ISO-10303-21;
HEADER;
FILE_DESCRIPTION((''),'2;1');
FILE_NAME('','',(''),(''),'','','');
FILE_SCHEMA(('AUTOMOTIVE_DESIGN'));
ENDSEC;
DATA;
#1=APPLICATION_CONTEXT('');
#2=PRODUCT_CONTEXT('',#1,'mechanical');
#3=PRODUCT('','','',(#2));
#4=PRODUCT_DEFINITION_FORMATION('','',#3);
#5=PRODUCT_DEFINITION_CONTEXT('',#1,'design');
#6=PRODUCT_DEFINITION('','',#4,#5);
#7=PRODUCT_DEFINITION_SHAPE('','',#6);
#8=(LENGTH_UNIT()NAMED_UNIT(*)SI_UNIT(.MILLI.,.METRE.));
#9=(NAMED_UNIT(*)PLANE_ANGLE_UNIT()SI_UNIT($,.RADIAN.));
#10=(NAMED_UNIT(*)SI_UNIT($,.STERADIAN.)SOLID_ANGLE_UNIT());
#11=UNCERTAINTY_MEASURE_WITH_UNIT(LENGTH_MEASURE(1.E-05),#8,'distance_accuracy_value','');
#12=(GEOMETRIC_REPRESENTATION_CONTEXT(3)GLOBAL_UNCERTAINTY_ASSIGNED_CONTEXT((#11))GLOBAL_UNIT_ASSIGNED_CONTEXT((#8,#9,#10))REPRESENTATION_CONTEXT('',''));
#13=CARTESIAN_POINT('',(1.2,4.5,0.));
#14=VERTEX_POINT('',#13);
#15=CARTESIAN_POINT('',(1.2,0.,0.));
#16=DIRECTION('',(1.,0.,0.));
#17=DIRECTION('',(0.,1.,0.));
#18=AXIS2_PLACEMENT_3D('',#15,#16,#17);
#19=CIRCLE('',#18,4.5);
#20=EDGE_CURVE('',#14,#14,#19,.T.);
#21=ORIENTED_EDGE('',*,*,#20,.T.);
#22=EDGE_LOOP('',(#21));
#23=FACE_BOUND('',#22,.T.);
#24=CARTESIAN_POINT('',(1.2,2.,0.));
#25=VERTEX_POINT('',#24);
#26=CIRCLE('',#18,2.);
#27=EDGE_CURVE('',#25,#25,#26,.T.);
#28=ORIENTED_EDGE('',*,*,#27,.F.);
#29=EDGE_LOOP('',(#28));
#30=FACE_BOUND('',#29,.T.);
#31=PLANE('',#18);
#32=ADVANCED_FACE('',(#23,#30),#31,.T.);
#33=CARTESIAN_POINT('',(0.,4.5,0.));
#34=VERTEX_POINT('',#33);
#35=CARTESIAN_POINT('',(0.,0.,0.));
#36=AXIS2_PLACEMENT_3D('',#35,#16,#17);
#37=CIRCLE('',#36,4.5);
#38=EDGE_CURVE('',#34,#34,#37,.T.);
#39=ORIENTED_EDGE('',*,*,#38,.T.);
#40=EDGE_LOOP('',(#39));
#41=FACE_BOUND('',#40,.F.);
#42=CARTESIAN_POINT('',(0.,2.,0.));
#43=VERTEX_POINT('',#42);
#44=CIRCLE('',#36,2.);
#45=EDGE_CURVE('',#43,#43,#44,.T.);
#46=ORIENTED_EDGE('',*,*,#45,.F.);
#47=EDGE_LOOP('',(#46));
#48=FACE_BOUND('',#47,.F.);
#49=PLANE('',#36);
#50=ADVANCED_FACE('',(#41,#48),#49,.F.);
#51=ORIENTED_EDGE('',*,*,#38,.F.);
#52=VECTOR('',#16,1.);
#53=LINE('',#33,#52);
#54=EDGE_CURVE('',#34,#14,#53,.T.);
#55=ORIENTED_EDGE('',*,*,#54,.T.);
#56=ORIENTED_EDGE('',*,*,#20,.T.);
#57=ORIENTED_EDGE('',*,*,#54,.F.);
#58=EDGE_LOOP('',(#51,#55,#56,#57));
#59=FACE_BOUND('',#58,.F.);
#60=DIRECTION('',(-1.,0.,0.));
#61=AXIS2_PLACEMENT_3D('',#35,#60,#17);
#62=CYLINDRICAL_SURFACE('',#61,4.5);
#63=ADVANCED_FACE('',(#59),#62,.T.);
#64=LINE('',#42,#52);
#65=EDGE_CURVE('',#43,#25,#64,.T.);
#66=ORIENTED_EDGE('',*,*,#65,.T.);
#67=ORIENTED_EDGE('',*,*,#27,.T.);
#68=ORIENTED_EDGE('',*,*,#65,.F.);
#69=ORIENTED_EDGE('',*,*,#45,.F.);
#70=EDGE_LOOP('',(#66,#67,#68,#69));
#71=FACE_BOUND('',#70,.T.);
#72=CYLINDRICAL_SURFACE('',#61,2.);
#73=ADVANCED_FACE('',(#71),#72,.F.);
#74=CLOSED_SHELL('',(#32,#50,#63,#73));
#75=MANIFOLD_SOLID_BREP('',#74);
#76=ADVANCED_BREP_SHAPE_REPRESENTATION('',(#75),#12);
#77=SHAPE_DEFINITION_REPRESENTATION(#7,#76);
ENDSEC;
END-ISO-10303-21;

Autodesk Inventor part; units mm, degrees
ref_plane "YZ Plane" through (0, 0, 0) normal (1, 0, 0) x (0, 1, 0)
ref_plane "XZ Plane" through (0, 0, 0) normal (0, 1, 0) x (-1, 0, 0)
sketch "Sketch" plane through (0, 0, 0) normal (1, 0, 0) x (0, 1, 0)
  circle A0 centre (0, 0) radius 4.5
  circle A1 centre (0, 0) radius 2
  dimension "d0" = 4
  dimension "d1" = 9
extrude "Body" add sketch "Sketch" along normal blind 1.2
ref_plane "Work Plane1" through (0, 0, 0) normal (0, 0, 1) x (1, 0, 0)
equation "\"d0\" = SD1"
equation "\"d1\" = SD2"
equation "\"d2\" = SD"
equation "\"SD1\" = 4"
equation "\"SD2\" = 9"
equation "\"SD\" = 1.2"
equation "\"NND\" = 3.5"
properties part number "ANSI B18.22M - 3.5 N" material "Steel, Mild"
